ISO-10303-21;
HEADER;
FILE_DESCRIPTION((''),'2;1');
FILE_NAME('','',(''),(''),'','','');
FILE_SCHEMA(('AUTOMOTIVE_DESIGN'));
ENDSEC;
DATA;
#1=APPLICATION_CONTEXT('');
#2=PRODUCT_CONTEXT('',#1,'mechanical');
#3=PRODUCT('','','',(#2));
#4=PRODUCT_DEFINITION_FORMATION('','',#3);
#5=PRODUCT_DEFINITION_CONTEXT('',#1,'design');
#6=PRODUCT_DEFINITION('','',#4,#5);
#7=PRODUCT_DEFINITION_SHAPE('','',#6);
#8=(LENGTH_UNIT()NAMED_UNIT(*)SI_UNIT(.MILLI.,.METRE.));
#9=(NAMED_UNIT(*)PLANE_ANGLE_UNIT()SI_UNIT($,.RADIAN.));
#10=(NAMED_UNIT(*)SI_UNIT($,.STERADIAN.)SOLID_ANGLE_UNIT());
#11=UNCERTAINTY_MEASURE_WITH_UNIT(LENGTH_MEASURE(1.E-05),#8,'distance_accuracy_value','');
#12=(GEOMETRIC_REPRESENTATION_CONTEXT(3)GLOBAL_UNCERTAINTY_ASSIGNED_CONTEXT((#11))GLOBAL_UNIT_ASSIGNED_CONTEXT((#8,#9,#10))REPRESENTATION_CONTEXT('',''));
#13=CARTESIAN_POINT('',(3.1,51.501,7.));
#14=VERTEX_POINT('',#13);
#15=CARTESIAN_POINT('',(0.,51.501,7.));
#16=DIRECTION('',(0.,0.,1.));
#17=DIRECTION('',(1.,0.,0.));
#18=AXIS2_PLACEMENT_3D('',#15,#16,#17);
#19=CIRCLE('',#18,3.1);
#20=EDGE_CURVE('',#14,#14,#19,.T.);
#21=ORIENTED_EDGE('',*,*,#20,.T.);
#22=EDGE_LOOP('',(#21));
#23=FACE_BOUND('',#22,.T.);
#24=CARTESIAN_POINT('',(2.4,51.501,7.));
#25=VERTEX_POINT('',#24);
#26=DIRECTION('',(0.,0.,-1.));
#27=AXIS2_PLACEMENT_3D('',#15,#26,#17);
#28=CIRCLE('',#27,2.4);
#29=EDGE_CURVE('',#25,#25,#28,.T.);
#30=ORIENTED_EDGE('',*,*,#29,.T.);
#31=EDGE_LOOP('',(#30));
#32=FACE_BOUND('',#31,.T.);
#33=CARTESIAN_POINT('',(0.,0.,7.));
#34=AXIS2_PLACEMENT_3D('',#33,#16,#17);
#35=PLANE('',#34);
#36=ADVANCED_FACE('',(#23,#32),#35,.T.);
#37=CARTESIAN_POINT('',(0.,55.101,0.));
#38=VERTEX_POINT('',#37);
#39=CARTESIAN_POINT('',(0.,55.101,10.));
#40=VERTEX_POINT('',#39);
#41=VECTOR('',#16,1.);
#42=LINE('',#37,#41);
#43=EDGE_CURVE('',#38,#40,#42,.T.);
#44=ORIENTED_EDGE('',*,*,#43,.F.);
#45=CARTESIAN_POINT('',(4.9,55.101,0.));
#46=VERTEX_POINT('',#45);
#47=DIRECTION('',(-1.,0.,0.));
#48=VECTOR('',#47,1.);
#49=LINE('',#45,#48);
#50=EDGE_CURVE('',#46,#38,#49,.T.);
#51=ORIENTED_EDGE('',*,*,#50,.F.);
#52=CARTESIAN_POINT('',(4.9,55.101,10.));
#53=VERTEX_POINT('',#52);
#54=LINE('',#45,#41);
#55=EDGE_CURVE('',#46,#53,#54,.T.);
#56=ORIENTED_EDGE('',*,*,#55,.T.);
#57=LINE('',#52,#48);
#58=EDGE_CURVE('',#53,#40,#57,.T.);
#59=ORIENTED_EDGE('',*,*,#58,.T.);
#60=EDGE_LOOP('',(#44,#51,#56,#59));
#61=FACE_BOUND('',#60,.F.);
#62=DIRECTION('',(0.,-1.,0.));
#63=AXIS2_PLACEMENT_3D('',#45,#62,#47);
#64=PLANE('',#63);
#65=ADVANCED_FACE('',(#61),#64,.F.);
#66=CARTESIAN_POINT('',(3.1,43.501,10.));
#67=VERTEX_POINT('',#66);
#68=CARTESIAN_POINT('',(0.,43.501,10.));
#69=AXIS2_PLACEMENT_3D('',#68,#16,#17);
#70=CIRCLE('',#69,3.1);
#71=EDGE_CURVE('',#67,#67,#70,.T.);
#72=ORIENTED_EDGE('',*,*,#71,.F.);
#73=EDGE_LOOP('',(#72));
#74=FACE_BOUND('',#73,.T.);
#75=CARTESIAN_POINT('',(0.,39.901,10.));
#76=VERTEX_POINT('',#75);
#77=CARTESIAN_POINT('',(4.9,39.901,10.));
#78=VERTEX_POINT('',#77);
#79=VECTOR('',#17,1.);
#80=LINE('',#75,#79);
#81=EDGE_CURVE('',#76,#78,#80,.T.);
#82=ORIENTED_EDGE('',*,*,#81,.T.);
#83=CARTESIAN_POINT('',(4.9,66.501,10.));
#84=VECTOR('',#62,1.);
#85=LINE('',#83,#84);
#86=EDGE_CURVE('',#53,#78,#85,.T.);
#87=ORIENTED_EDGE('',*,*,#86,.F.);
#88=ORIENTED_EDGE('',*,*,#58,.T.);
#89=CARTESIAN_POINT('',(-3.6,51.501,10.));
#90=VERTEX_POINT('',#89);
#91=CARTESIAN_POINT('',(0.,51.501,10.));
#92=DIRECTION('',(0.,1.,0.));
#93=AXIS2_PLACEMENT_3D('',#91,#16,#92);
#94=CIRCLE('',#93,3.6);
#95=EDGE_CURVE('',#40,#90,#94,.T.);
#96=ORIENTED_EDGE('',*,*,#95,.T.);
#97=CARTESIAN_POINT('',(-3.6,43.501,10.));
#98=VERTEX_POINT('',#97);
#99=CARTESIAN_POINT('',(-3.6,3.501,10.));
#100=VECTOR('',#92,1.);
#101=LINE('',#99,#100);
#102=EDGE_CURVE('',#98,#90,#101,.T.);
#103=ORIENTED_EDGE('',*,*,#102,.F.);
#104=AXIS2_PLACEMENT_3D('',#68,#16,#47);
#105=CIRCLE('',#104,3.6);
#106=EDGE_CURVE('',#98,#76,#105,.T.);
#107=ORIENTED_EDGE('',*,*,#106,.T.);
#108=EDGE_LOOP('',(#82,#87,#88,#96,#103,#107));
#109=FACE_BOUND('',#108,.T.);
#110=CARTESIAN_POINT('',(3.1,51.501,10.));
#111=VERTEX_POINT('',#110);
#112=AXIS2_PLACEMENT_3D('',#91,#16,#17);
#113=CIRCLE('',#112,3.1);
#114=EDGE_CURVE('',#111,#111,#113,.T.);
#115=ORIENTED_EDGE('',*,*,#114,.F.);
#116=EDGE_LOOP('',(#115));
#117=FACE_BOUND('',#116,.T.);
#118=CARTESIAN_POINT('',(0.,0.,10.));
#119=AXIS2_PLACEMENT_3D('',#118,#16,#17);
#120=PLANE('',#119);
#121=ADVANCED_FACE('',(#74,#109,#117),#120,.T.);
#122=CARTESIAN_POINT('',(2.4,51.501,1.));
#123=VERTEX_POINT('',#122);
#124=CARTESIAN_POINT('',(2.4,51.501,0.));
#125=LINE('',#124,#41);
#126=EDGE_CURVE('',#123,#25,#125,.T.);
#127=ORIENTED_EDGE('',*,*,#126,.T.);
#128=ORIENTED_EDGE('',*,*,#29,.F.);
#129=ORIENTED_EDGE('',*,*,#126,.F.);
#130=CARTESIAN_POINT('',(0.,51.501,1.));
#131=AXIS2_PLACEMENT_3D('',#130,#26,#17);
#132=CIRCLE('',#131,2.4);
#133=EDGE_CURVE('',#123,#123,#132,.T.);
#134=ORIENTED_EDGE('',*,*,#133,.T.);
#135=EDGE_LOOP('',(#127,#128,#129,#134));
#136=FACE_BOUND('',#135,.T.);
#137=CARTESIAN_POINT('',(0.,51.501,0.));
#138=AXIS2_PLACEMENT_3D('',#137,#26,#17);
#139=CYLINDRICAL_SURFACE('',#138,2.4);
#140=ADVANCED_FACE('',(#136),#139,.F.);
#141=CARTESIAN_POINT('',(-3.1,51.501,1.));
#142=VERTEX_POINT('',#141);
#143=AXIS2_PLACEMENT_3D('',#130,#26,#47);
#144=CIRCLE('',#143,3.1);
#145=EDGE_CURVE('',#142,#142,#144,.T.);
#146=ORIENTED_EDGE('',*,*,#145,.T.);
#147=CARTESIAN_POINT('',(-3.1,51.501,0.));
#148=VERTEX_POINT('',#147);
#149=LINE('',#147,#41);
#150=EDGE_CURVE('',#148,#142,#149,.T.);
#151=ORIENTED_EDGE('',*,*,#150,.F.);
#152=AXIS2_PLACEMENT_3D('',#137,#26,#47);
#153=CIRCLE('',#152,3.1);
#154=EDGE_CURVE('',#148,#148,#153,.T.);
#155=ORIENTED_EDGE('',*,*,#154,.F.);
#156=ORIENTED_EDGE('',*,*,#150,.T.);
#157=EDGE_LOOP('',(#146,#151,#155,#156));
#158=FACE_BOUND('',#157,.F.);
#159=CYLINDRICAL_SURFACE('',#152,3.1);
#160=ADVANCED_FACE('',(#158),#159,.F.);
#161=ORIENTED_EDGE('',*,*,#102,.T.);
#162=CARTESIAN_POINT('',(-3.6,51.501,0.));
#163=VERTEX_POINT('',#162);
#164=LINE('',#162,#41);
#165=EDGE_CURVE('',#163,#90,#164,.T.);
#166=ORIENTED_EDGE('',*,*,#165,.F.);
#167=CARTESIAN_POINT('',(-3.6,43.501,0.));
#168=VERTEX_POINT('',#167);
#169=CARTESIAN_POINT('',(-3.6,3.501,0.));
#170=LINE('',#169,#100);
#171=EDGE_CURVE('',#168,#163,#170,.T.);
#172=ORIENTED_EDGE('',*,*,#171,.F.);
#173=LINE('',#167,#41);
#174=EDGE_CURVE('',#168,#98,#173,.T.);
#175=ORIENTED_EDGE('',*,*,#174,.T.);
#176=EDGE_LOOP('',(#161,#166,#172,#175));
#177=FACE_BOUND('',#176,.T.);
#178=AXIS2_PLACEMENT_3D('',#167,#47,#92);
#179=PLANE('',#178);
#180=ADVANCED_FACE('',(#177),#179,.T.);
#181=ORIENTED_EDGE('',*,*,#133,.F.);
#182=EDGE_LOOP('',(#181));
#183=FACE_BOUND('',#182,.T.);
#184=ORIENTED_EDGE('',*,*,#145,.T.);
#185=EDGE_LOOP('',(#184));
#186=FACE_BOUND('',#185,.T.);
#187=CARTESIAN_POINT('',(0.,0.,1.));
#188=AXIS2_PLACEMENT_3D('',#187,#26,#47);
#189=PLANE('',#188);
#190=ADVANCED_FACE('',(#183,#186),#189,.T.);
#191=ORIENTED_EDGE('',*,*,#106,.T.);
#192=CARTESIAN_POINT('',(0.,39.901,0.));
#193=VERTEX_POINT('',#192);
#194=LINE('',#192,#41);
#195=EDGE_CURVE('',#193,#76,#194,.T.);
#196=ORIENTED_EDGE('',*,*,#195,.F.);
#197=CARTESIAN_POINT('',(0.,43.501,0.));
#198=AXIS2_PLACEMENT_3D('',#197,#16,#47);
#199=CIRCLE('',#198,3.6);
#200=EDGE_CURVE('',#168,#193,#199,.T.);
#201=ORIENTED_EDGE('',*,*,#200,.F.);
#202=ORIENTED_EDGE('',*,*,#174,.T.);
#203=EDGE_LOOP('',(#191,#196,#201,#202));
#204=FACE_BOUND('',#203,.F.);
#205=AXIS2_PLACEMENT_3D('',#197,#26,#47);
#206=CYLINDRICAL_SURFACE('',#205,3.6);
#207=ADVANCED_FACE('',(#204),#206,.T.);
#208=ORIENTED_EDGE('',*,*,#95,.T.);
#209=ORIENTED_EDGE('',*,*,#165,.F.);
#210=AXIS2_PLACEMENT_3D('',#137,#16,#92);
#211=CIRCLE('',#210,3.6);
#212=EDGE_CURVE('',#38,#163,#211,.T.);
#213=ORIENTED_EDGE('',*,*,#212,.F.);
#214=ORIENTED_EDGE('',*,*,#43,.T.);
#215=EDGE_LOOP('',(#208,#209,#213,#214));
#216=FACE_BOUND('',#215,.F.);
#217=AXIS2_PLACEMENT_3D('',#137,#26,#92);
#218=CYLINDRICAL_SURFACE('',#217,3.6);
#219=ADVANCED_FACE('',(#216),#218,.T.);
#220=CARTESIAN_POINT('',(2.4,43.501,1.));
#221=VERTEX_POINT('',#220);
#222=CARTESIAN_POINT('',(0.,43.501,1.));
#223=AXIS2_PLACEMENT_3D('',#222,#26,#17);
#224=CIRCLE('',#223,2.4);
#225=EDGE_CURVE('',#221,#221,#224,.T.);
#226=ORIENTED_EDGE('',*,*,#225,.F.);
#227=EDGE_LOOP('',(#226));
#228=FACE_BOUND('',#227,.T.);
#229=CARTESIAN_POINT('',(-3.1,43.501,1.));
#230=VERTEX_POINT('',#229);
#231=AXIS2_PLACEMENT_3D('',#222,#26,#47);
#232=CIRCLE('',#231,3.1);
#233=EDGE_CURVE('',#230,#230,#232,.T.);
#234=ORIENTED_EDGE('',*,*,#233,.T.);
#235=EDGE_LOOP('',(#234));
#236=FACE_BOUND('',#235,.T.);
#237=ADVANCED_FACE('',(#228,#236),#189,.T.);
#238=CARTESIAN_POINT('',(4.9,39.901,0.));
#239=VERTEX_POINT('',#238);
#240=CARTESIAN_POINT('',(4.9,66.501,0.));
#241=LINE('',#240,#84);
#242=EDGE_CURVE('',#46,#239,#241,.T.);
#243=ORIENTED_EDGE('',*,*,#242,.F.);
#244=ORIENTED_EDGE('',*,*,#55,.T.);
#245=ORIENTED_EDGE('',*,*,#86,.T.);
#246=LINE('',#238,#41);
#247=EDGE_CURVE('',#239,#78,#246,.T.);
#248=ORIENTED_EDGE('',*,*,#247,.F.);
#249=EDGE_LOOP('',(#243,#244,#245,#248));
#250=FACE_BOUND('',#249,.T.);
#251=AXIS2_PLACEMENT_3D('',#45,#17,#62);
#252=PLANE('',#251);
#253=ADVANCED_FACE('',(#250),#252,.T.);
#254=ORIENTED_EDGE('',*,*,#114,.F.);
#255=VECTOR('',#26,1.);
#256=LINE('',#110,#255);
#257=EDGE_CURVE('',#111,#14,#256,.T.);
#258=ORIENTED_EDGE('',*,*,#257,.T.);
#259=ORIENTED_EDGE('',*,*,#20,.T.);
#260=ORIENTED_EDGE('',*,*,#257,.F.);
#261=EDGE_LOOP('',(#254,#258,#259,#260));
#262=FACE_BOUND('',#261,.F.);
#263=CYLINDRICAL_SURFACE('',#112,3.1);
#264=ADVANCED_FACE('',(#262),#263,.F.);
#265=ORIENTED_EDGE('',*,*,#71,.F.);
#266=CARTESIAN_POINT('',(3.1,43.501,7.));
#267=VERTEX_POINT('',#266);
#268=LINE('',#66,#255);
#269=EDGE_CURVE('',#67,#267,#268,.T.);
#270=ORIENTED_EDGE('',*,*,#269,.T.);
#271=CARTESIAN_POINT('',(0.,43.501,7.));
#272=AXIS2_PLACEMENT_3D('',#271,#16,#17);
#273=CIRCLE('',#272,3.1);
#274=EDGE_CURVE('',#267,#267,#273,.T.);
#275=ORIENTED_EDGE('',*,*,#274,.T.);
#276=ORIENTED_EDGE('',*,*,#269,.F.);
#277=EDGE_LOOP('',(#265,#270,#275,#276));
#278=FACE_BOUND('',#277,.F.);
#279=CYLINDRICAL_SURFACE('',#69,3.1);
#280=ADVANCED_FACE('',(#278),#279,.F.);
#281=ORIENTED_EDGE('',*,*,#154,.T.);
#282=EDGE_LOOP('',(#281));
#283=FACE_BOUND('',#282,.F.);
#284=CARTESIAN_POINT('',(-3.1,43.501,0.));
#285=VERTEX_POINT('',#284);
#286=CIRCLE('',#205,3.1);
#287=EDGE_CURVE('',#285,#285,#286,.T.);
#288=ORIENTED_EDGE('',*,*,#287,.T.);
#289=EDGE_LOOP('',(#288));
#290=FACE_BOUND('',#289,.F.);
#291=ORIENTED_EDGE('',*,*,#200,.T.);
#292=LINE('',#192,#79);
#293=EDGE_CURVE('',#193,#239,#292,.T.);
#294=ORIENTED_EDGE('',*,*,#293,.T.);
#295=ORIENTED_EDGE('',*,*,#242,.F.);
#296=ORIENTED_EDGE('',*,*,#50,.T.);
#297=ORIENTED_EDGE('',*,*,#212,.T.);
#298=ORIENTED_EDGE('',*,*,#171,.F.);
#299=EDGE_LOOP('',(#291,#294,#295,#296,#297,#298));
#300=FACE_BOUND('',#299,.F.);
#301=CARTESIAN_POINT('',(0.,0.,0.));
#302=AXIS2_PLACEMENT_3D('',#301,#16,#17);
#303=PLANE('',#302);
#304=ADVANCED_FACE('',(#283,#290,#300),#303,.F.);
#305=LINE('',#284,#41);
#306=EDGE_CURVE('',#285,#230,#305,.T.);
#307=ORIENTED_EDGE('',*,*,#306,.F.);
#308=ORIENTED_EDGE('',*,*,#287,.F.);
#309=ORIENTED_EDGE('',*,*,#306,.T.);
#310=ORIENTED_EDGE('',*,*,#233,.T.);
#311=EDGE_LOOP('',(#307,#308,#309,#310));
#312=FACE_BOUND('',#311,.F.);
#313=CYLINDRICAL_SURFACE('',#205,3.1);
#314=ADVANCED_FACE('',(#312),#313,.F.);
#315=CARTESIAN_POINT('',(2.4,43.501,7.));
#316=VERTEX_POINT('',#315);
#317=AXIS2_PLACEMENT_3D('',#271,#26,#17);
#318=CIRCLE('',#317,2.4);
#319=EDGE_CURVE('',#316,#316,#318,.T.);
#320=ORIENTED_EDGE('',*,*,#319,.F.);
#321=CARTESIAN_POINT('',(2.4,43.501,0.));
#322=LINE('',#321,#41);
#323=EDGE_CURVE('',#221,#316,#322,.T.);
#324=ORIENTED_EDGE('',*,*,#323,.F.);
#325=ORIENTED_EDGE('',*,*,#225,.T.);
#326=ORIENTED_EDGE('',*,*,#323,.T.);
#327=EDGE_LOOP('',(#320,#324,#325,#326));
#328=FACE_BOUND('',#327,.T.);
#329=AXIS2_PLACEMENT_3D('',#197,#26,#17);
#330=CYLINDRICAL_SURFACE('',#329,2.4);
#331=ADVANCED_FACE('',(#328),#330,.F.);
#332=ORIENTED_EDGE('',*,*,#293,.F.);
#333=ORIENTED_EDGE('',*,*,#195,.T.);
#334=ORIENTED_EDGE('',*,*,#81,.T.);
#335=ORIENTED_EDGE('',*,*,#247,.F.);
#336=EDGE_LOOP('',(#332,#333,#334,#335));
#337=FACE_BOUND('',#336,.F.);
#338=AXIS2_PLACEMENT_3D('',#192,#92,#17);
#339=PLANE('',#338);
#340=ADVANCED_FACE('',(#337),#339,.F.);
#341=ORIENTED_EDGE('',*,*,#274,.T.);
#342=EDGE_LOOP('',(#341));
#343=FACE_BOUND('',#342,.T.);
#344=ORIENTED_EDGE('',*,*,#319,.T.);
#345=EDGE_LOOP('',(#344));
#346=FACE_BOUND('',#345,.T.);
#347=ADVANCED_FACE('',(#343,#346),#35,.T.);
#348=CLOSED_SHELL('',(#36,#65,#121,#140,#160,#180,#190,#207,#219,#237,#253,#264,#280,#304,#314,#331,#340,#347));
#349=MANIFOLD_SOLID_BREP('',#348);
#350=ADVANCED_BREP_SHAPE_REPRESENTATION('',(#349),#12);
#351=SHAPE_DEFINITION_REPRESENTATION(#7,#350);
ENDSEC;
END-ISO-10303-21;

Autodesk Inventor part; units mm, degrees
ref_plane "YZ Plane" through (0, 0, 0) normal (1, 0, 0) x (0, 1, 0)
ref_plane "XZ Plane" through (0, 0, 0) normal (0, 1, 0) x (-1, 0, 0)
ref_plane "XY Plane" through (0, 0, 0) normal (0, 0, 1) x (1, 0, 0)
sketch "Esboço1" plane through (0, 0, 0) normal (0, 0, 1) x (1, 0, 0)
  circle A0 centre (0, 51.501) radius 2.4 projected
  line L0 (4.9, 66.501) -> (4.9, -3.499) projected
  line L1 (-3.6, 3.501) -> (-3.6, 59.501) projected
  arc A1 (0, 55.101) -> (-3.6, 51.501) centre (0, 51.501) ccw
  circle A2 centre (0, 43.501) radius 2.4 projected
  arc A3 (-3.6, 43.501) -> (0, 39.901) centre (0, 43.501) ccw
  line L2 (4.9, 55.101) -> (0, 55.101)
  line L3 (0, 55.101) -> (0, 39.901)
  line L4 (0, 39.901) -> (4.9, 39.901)
  line L5 (4.9, 39.901) -> (4.9, 55.101)
  point P0 (0, 0)
extrude "Extrusão1" add sketch "Esboço1" along normal blind 10 contours A0 L3 L2 L0 L4 A2 | A0 L3 A2 A3 L1 A1
sketch "Esboço2" plane through (0, 0, 10) normal (0, 0, 1) x (1, 0, 0)
  circle A0 centre (0, 43.501) radius 3.1 projected
  circle A1 centre (0, 51.501) radius 3.1 projected
  point P0 (0, 0)
extrude "Extrusão2" cut sketch "Esboço2" against normal blind 3
sketch "Esboço3" plane through (0, 0, 0) normal (0, 0, -1) x (-1, 0, 0)
  circle A0 centre (0, 51.501) radius 3.1 projected
  circle A1 centre (0, 51.501) radius 2.4 projected
  circle A2 centre (0, 43.501) radius 3.1 projected
  circle A3 centre (0, 43.501) radius 2.4 projected
  point P0 (0, 0)
extrude "Extrusão3" cut sketch "Esboço3" against normal blind 1 contours A0 | A1 | A2 | A3
properties part number "suporte sensor de cor"
